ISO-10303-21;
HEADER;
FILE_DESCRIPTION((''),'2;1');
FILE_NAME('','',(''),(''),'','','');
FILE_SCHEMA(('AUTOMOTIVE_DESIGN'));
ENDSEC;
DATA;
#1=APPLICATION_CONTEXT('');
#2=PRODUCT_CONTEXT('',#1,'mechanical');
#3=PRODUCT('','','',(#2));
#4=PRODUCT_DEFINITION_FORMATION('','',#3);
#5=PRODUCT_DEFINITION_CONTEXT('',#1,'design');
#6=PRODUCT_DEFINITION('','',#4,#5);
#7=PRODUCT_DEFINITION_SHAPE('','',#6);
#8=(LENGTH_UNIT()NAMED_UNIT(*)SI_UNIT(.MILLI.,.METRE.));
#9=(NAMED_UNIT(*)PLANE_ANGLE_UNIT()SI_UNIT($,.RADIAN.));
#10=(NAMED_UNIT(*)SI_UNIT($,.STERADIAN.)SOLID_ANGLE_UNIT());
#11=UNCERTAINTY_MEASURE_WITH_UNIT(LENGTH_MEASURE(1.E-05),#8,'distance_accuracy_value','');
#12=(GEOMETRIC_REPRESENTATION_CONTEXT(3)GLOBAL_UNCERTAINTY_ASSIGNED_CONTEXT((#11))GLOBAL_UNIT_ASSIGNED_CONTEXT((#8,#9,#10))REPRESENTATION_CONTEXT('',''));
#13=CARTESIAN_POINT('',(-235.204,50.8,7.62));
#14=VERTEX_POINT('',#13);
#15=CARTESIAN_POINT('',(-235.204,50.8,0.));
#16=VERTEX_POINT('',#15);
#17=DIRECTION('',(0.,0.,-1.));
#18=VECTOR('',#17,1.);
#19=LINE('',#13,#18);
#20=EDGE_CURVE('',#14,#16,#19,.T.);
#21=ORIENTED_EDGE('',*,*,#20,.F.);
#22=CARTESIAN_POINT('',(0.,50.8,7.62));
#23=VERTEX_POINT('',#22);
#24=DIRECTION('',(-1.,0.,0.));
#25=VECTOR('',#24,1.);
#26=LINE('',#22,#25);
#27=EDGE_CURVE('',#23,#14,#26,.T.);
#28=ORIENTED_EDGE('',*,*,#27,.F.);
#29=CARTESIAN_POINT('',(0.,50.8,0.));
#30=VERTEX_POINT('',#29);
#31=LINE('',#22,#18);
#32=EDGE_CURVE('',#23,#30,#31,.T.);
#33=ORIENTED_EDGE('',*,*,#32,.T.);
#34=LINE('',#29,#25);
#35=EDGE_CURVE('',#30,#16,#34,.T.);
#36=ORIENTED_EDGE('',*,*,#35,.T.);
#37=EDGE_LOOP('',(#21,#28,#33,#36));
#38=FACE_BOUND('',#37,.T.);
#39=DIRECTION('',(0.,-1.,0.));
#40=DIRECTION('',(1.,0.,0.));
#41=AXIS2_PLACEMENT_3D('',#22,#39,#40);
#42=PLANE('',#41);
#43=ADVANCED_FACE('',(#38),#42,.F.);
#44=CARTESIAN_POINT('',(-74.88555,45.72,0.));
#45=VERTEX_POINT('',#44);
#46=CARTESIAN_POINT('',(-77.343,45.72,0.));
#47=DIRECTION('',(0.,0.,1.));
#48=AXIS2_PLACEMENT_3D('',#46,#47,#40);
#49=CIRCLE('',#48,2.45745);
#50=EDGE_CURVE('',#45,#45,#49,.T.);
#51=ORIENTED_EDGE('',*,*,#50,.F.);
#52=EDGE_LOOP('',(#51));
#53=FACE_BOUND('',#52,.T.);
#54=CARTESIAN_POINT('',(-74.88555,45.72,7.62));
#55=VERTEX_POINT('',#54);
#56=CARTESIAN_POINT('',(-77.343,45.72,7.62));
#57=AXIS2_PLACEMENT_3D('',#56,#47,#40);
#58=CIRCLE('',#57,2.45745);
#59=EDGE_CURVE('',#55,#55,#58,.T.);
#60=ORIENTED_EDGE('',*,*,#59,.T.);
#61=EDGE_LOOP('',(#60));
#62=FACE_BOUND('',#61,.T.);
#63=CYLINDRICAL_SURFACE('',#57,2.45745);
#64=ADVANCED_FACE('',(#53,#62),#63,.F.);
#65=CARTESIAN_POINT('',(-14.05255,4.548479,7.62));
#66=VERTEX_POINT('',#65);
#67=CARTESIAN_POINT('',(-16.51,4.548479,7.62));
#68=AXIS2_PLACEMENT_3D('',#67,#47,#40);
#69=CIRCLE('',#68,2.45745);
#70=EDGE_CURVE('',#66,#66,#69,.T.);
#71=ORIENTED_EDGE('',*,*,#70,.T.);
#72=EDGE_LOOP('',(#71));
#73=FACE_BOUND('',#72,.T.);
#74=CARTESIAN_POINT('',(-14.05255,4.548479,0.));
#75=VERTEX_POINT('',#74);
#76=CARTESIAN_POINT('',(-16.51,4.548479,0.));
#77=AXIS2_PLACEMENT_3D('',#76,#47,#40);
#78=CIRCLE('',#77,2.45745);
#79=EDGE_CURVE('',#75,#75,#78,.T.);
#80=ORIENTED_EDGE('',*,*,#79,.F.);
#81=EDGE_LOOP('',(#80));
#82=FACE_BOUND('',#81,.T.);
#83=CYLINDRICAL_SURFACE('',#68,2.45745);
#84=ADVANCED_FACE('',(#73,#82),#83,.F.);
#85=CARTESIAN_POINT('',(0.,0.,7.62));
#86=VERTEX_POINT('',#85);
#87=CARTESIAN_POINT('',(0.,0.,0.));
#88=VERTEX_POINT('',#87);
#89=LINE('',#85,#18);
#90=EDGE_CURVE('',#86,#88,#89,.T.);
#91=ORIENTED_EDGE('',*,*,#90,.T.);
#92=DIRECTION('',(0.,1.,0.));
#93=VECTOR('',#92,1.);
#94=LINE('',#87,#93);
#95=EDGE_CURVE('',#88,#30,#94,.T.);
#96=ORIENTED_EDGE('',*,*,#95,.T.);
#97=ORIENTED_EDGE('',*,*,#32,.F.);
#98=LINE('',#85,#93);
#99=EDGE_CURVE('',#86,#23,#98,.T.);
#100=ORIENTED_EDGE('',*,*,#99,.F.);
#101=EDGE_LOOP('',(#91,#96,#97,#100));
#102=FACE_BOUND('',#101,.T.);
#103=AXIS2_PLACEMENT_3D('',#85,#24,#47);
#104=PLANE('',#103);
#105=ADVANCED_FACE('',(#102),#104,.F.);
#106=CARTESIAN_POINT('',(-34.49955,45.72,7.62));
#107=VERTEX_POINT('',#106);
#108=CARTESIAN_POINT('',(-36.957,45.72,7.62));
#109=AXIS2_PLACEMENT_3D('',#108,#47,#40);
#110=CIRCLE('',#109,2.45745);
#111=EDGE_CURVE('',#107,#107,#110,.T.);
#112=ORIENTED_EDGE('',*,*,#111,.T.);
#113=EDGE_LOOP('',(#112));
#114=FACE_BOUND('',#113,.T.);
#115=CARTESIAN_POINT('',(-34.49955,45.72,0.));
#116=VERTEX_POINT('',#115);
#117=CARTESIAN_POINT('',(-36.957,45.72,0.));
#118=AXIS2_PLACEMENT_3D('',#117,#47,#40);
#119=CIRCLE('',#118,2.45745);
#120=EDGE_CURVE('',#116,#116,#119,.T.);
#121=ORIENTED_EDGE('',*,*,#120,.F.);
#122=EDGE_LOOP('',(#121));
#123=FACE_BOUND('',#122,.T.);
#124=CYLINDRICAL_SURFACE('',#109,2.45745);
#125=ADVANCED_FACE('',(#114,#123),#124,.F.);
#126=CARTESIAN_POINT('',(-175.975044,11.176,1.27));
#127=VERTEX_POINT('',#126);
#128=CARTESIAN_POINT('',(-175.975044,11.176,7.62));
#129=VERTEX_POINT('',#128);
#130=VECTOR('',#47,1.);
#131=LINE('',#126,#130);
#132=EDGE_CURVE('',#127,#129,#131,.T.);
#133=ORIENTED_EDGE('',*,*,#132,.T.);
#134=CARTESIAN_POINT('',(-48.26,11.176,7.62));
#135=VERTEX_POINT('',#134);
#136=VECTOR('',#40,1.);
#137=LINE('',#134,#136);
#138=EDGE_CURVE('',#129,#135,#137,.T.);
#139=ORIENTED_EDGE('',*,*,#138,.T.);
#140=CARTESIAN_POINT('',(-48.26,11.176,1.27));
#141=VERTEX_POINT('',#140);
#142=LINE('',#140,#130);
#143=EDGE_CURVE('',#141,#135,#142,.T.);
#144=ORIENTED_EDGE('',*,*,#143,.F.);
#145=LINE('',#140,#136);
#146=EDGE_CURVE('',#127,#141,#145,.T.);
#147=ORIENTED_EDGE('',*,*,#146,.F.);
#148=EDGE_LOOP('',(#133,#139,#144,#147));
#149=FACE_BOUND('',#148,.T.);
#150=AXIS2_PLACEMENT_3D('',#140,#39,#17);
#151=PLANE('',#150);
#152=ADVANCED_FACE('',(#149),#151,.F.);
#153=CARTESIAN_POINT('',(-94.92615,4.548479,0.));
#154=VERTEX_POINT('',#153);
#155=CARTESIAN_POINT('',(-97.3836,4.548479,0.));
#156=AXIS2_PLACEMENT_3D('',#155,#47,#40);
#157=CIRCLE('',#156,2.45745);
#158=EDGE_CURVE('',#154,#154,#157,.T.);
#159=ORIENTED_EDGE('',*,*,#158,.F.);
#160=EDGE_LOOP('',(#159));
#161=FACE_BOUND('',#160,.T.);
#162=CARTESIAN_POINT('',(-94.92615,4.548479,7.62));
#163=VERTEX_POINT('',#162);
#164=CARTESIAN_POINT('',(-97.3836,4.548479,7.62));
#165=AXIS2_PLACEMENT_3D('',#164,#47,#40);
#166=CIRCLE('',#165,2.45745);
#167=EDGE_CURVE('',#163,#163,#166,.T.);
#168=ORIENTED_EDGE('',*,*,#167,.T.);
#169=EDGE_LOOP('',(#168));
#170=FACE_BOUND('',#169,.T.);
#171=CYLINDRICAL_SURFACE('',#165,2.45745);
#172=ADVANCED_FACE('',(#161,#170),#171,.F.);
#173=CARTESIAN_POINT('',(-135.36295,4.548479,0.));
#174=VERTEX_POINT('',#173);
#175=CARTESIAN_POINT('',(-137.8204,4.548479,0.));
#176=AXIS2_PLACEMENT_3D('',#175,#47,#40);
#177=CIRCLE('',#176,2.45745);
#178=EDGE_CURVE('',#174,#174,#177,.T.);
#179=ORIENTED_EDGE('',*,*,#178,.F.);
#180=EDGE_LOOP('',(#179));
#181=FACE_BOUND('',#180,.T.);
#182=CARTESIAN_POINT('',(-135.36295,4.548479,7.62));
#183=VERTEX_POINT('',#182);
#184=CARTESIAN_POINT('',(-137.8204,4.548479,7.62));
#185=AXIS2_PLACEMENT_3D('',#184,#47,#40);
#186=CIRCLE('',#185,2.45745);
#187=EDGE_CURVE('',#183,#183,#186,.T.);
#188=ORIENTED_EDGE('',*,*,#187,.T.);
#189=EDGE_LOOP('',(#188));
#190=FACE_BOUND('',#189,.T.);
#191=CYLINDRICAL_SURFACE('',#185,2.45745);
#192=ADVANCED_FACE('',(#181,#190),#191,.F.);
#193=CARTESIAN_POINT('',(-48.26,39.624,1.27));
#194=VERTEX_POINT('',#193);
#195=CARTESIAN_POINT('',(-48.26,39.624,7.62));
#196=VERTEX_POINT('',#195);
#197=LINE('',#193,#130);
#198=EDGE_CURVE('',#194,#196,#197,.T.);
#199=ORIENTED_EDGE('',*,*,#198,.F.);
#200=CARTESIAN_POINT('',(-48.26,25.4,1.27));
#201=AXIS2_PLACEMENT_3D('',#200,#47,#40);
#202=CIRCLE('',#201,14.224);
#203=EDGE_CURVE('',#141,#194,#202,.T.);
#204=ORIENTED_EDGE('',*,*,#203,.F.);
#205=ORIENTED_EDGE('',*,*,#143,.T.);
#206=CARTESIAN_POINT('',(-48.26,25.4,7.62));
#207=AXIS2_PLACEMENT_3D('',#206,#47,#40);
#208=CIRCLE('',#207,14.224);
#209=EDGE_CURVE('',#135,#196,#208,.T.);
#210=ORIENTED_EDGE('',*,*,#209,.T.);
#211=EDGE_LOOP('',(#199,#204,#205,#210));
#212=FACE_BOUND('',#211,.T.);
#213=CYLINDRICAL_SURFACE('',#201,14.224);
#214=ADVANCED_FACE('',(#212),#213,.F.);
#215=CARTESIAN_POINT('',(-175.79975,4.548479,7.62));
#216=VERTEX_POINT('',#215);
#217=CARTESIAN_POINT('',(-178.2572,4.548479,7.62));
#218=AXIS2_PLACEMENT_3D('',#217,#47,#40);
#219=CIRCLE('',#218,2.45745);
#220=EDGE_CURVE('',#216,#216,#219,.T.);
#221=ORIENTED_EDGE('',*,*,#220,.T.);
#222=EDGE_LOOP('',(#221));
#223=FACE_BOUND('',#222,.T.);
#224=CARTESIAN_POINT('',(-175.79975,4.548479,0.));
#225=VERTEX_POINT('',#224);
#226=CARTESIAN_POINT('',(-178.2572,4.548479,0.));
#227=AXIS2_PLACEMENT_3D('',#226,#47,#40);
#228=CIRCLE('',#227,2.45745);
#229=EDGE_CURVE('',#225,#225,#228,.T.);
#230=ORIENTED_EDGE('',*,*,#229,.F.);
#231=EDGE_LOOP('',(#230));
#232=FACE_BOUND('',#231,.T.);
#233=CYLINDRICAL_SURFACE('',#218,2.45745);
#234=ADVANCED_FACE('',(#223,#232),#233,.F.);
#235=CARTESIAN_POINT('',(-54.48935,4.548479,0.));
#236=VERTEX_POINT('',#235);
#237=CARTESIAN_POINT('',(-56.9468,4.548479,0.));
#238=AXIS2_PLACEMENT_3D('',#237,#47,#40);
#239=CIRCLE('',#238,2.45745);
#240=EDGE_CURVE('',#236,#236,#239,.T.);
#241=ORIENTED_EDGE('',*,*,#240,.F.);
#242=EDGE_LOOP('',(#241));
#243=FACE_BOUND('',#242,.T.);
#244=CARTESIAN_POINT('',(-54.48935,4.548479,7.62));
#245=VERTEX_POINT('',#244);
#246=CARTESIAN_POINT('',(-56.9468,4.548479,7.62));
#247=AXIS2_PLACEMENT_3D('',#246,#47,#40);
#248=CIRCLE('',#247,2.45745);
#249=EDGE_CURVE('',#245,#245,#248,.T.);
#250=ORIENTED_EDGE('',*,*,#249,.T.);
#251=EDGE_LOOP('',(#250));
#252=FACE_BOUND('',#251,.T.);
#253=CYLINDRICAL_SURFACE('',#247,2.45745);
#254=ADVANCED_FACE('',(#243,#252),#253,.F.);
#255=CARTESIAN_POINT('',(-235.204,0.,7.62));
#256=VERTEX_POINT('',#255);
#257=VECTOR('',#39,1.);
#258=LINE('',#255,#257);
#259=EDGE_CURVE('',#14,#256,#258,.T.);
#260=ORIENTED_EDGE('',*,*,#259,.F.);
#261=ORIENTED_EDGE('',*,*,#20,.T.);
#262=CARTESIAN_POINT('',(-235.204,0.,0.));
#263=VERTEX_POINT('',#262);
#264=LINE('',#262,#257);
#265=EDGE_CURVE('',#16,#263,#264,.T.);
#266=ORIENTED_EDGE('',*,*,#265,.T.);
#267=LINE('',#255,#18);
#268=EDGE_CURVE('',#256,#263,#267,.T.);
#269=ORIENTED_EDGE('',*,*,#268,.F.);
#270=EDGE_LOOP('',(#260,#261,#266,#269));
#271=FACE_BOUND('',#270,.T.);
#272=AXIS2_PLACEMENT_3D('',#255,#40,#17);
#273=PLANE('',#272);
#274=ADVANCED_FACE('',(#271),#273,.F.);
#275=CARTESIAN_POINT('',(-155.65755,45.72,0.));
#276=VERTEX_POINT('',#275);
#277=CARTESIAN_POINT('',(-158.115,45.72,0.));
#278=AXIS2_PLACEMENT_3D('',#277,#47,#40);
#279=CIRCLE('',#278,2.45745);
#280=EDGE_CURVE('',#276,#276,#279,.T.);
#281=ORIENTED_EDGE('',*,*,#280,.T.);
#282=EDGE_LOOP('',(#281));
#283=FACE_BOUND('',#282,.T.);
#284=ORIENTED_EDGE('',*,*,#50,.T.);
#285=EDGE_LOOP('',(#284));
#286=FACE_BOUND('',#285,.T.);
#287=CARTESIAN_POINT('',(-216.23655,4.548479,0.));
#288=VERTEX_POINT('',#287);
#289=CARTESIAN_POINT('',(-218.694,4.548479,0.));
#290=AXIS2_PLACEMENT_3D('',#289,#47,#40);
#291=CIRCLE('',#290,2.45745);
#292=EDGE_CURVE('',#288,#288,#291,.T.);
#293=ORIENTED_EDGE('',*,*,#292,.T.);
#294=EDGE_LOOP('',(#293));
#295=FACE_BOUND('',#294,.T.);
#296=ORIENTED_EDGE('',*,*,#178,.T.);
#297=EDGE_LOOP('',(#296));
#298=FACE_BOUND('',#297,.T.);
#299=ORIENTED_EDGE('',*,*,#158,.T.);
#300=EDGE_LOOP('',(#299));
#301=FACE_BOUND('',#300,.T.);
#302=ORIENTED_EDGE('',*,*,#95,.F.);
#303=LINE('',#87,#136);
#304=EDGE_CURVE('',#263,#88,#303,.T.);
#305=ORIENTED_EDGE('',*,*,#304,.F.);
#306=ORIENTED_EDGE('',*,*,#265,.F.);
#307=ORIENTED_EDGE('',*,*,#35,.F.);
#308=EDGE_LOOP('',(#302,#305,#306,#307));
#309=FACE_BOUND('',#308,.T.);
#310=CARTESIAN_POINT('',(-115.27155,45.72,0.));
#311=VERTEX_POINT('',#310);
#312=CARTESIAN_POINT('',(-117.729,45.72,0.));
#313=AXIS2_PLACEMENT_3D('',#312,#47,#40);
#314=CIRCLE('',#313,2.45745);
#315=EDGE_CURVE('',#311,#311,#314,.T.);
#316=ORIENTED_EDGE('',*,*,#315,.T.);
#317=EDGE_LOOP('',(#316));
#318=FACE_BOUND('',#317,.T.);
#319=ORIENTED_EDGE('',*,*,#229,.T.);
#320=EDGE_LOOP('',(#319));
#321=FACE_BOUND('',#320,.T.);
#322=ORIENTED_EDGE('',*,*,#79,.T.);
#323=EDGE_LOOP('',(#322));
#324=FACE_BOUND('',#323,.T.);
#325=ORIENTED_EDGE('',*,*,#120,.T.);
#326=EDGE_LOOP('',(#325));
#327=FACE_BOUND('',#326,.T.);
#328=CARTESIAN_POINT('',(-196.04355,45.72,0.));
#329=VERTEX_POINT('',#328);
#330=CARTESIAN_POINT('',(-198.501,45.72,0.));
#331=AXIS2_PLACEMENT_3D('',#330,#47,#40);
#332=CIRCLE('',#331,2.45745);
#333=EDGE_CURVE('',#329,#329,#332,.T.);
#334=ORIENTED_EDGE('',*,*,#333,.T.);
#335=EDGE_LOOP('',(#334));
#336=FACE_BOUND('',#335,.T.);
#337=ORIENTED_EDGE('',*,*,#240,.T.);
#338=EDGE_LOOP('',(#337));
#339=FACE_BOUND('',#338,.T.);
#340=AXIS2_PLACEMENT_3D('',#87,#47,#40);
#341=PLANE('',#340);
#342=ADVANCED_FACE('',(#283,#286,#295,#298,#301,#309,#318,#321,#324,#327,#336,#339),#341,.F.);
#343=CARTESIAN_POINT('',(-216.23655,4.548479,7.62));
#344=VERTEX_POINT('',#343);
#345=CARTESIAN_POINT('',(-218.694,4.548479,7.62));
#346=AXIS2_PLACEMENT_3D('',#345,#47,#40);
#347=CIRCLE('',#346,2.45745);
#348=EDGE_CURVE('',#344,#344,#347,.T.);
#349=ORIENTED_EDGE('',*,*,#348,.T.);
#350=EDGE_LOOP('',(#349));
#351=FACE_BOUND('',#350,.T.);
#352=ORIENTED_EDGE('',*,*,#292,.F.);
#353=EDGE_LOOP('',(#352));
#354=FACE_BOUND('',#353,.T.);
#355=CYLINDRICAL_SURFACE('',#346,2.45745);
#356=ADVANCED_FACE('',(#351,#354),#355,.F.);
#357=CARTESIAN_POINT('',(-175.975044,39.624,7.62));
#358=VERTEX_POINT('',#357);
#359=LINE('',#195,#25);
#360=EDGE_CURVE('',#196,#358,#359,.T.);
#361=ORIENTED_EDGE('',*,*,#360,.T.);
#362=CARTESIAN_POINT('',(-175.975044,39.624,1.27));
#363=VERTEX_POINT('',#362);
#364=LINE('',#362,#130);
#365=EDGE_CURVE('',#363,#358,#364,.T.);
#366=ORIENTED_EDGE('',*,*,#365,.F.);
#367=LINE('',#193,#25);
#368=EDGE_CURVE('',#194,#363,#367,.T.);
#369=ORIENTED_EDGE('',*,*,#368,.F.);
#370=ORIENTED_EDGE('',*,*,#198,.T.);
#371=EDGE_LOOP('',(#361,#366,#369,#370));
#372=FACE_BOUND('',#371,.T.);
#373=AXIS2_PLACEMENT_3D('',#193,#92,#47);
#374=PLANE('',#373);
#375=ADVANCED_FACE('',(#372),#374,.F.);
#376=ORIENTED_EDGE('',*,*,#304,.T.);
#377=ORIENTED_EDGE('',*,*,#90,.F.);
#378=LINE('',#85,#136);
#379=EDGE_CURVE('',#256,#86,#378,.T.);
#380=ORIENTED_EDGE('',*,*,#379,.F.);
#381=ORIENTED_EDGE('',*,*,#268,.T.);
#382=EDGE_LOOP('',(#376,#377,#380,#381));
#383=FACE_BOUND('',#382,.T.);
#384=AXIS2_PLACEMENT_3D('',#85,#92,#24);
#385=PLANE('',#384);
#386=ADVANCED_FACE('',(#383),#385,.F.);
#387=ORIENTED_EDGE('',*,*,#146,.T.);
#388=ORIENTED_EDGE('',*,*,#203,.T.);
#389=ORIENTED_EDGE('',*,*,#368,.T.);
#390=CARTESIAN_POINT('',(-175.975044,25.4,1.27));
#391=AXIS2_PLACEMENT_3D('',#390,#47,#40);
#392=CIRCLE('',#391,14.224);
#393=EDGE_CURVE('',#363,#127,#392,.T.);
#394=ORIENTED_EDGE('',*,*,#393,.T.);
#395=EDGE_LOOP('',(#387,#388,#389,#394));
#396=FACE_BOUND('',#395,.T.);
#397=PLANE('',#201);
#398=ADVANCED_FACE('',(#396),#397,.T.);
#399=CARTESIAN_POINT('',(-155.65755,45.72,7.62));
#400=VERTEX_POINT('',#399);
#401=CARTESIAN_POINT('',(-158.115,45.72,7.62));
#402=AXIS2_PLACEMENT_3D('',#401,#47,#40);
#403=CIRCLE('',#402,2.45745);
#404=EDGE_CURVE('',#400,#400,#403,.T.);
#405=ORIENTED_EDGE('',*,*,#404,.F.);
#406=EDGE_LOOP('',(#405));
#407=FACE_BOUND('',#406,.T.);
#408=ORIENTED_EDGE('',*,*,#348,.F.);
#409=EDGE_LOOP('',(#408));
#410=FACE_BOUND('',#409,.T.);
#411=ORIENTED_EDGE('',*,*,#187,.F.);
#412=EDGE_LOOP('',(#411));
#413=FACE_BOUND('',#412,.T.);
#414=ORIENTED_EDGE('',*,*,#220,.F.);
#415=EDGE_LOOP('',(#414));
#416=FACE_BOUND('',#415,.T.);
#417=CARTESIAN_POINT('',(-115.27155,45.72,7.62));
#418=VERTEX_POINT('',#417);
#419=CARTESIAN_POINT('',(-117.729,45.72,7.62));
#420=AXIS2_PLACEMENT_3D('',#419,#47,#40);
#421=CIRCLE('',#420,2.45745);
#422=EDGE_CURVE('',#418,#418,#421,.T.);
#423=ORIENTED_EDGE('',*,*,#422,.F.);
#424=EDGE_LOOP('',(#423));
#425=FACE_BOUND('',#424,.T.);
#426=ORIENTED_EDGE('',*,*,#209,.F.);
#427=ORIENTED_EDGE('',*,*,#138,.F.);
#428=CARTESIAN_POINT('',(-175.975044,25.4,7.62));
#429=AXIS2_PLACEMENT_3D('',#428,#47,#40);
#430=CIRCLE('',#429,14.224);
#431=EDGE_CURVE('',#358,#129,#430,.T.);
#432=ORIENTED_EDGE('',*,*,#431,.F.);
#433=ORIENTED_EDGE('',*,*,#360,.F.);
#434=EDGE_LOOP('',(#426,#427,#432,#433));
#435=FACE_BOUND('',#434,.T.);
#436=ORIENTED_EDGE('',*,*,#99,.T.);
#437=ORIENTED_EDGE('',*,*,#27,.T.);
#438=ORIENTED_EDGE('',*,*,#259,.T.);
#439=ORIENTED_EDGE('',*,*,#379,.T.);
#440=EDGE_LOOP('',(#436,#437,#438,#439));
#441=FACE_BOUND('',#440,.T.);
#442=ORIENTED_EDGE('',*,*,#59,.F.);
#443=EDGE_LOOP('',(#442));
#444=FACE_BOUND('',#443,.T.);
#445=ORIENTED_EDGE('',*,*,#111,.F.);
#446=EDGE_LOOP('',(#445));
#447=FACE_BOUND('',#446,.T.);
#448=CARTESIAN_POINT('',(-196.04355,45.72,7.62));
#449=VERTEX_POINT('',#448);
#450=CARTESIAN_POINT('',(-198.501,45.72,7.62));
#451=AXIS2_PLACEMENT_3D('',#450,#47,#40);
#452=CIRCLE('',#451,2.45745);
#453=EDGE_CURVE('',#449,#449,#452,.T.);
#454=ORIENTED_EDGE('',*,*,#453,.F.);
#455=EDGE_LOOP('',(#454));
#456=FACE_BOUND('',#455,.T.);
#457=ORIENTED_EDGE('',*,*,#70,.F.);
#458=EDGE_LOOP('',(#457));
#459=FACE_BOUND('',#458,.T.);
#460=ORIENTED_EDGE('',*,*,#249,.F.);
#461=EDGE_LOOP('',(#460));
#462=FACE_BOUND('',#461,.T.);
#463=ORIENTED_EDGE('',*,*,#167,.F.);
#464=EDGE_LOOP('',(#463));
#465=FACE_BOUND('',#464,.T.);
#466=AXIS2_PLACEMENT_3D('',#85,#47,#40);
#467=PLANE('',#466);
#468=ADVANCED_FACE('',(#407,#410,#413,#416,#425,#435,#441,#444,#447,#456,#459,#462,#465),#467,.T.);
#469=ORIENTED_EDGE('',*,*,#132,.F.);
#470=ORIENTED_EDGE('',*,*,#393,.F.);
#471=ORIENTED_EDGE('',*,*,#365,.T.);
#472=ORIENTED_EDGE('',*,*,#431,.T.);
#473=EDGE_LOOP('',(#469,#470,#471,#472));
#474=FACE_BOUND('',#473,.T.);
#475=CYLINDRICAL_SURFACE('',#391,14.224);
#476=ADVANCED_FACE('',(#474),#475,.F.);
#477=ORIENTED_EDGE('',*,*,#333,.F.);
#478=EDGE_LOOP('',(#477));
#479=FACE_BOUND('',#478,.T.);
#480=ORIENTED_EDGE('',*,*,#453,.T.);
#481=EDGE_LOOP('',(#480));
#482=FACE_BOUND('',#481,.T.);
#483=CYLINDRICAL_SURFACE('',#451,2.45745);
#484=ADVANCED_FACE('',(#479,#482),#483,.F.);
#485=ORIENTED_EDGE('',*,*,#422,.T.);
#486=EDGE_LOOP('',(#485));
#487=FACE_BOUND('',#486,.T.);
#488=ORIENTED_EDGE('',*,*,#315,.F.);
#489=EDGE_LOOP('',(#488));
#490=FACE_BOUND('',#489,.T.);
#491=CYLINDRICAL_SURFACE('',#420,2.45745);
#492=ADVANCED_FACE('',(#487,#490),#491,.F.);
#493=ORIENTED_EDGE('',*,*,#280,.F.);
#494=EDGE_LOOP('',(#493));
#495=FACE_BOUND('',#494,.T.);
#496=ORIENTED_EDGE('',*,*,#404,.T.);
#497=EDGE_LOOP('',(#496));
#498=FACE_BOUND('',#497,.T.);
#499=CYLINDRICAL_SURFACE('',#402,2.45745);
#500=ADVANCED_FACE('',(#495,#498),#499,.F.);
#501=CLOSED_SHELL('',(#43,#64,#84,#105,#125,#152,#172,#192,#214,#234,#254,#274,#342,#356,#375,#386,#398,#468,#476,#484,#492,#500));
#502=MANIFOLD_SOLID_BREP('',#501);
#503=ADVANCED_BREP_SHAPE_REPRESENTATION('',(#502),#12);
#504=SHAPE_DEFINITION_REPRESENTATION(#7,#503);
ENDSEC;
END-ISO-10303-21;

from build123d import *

# Parameters (mm, degrees)
SKETCH5_W                    = 235.204
SKETCH5_H                    = 50.8
BOSS_EXTRUDE3_DEPTH          = 7.62
CUT_EXTRUDE3_DEPTH           = 6.35
F_10_0_1935_DIAMETER_HOLE1_D = 4.9149


with BuildPart() as part:
    # Sketch5 → Boss-Extrude3 (new body)
    with BuildSketch(Plane.XY):
        with Locations((-117.602, 25.4)):
            Rectangle(SKETCH5_W, SKETCH5_H)
    extrude(amount=BOSS_EXTRUDE3_DEPTH)

    # Sketch6 → Cut-Extrude3 (cut)
    with BuildSketch(Plane.XY.offset(7.62)):
        with BuildLine():
            Line((-48.26, 11.176), (-175.975043584, 11.176))
            ThreePointArc((-175.975043584, 11.176), (-190.199043584, 25.4), (-175.975043584, 39.624))
            Line((-175.975043584, 39.624), (-48.26, 39.624))
            ThreePointArc((-48.26, 39.624), (-34.036, 25.4), (-48.26, 11.176))
        make_face()
    extrude(amount=-CUT_EXTRUDE3_DEPTH, mode=Mode.SUBTRACT)

    # #10 (0.1935) Diameter Hole1 (through all)
    with Locations(Plane(origin=(-198.501, 45.72, 7.62), x_dir=(1, 0, 0), z_dir=(0, 0, 1))):
        with Locations((0, 0), (40.386, 0), (80.772, 0), (121.158, 0), (161.544, 0), (-20.193, -41.171520692), (20.2438, -41.171520692), (60.6806, -41.171520692), (101.1174, -41.171520692), (141.5542, -41.171520692), (181.991, -41.171520692)):
            Hole(F_10_0_1935_DIAMETER_HOLE1_D / 2)


solid = part.part
